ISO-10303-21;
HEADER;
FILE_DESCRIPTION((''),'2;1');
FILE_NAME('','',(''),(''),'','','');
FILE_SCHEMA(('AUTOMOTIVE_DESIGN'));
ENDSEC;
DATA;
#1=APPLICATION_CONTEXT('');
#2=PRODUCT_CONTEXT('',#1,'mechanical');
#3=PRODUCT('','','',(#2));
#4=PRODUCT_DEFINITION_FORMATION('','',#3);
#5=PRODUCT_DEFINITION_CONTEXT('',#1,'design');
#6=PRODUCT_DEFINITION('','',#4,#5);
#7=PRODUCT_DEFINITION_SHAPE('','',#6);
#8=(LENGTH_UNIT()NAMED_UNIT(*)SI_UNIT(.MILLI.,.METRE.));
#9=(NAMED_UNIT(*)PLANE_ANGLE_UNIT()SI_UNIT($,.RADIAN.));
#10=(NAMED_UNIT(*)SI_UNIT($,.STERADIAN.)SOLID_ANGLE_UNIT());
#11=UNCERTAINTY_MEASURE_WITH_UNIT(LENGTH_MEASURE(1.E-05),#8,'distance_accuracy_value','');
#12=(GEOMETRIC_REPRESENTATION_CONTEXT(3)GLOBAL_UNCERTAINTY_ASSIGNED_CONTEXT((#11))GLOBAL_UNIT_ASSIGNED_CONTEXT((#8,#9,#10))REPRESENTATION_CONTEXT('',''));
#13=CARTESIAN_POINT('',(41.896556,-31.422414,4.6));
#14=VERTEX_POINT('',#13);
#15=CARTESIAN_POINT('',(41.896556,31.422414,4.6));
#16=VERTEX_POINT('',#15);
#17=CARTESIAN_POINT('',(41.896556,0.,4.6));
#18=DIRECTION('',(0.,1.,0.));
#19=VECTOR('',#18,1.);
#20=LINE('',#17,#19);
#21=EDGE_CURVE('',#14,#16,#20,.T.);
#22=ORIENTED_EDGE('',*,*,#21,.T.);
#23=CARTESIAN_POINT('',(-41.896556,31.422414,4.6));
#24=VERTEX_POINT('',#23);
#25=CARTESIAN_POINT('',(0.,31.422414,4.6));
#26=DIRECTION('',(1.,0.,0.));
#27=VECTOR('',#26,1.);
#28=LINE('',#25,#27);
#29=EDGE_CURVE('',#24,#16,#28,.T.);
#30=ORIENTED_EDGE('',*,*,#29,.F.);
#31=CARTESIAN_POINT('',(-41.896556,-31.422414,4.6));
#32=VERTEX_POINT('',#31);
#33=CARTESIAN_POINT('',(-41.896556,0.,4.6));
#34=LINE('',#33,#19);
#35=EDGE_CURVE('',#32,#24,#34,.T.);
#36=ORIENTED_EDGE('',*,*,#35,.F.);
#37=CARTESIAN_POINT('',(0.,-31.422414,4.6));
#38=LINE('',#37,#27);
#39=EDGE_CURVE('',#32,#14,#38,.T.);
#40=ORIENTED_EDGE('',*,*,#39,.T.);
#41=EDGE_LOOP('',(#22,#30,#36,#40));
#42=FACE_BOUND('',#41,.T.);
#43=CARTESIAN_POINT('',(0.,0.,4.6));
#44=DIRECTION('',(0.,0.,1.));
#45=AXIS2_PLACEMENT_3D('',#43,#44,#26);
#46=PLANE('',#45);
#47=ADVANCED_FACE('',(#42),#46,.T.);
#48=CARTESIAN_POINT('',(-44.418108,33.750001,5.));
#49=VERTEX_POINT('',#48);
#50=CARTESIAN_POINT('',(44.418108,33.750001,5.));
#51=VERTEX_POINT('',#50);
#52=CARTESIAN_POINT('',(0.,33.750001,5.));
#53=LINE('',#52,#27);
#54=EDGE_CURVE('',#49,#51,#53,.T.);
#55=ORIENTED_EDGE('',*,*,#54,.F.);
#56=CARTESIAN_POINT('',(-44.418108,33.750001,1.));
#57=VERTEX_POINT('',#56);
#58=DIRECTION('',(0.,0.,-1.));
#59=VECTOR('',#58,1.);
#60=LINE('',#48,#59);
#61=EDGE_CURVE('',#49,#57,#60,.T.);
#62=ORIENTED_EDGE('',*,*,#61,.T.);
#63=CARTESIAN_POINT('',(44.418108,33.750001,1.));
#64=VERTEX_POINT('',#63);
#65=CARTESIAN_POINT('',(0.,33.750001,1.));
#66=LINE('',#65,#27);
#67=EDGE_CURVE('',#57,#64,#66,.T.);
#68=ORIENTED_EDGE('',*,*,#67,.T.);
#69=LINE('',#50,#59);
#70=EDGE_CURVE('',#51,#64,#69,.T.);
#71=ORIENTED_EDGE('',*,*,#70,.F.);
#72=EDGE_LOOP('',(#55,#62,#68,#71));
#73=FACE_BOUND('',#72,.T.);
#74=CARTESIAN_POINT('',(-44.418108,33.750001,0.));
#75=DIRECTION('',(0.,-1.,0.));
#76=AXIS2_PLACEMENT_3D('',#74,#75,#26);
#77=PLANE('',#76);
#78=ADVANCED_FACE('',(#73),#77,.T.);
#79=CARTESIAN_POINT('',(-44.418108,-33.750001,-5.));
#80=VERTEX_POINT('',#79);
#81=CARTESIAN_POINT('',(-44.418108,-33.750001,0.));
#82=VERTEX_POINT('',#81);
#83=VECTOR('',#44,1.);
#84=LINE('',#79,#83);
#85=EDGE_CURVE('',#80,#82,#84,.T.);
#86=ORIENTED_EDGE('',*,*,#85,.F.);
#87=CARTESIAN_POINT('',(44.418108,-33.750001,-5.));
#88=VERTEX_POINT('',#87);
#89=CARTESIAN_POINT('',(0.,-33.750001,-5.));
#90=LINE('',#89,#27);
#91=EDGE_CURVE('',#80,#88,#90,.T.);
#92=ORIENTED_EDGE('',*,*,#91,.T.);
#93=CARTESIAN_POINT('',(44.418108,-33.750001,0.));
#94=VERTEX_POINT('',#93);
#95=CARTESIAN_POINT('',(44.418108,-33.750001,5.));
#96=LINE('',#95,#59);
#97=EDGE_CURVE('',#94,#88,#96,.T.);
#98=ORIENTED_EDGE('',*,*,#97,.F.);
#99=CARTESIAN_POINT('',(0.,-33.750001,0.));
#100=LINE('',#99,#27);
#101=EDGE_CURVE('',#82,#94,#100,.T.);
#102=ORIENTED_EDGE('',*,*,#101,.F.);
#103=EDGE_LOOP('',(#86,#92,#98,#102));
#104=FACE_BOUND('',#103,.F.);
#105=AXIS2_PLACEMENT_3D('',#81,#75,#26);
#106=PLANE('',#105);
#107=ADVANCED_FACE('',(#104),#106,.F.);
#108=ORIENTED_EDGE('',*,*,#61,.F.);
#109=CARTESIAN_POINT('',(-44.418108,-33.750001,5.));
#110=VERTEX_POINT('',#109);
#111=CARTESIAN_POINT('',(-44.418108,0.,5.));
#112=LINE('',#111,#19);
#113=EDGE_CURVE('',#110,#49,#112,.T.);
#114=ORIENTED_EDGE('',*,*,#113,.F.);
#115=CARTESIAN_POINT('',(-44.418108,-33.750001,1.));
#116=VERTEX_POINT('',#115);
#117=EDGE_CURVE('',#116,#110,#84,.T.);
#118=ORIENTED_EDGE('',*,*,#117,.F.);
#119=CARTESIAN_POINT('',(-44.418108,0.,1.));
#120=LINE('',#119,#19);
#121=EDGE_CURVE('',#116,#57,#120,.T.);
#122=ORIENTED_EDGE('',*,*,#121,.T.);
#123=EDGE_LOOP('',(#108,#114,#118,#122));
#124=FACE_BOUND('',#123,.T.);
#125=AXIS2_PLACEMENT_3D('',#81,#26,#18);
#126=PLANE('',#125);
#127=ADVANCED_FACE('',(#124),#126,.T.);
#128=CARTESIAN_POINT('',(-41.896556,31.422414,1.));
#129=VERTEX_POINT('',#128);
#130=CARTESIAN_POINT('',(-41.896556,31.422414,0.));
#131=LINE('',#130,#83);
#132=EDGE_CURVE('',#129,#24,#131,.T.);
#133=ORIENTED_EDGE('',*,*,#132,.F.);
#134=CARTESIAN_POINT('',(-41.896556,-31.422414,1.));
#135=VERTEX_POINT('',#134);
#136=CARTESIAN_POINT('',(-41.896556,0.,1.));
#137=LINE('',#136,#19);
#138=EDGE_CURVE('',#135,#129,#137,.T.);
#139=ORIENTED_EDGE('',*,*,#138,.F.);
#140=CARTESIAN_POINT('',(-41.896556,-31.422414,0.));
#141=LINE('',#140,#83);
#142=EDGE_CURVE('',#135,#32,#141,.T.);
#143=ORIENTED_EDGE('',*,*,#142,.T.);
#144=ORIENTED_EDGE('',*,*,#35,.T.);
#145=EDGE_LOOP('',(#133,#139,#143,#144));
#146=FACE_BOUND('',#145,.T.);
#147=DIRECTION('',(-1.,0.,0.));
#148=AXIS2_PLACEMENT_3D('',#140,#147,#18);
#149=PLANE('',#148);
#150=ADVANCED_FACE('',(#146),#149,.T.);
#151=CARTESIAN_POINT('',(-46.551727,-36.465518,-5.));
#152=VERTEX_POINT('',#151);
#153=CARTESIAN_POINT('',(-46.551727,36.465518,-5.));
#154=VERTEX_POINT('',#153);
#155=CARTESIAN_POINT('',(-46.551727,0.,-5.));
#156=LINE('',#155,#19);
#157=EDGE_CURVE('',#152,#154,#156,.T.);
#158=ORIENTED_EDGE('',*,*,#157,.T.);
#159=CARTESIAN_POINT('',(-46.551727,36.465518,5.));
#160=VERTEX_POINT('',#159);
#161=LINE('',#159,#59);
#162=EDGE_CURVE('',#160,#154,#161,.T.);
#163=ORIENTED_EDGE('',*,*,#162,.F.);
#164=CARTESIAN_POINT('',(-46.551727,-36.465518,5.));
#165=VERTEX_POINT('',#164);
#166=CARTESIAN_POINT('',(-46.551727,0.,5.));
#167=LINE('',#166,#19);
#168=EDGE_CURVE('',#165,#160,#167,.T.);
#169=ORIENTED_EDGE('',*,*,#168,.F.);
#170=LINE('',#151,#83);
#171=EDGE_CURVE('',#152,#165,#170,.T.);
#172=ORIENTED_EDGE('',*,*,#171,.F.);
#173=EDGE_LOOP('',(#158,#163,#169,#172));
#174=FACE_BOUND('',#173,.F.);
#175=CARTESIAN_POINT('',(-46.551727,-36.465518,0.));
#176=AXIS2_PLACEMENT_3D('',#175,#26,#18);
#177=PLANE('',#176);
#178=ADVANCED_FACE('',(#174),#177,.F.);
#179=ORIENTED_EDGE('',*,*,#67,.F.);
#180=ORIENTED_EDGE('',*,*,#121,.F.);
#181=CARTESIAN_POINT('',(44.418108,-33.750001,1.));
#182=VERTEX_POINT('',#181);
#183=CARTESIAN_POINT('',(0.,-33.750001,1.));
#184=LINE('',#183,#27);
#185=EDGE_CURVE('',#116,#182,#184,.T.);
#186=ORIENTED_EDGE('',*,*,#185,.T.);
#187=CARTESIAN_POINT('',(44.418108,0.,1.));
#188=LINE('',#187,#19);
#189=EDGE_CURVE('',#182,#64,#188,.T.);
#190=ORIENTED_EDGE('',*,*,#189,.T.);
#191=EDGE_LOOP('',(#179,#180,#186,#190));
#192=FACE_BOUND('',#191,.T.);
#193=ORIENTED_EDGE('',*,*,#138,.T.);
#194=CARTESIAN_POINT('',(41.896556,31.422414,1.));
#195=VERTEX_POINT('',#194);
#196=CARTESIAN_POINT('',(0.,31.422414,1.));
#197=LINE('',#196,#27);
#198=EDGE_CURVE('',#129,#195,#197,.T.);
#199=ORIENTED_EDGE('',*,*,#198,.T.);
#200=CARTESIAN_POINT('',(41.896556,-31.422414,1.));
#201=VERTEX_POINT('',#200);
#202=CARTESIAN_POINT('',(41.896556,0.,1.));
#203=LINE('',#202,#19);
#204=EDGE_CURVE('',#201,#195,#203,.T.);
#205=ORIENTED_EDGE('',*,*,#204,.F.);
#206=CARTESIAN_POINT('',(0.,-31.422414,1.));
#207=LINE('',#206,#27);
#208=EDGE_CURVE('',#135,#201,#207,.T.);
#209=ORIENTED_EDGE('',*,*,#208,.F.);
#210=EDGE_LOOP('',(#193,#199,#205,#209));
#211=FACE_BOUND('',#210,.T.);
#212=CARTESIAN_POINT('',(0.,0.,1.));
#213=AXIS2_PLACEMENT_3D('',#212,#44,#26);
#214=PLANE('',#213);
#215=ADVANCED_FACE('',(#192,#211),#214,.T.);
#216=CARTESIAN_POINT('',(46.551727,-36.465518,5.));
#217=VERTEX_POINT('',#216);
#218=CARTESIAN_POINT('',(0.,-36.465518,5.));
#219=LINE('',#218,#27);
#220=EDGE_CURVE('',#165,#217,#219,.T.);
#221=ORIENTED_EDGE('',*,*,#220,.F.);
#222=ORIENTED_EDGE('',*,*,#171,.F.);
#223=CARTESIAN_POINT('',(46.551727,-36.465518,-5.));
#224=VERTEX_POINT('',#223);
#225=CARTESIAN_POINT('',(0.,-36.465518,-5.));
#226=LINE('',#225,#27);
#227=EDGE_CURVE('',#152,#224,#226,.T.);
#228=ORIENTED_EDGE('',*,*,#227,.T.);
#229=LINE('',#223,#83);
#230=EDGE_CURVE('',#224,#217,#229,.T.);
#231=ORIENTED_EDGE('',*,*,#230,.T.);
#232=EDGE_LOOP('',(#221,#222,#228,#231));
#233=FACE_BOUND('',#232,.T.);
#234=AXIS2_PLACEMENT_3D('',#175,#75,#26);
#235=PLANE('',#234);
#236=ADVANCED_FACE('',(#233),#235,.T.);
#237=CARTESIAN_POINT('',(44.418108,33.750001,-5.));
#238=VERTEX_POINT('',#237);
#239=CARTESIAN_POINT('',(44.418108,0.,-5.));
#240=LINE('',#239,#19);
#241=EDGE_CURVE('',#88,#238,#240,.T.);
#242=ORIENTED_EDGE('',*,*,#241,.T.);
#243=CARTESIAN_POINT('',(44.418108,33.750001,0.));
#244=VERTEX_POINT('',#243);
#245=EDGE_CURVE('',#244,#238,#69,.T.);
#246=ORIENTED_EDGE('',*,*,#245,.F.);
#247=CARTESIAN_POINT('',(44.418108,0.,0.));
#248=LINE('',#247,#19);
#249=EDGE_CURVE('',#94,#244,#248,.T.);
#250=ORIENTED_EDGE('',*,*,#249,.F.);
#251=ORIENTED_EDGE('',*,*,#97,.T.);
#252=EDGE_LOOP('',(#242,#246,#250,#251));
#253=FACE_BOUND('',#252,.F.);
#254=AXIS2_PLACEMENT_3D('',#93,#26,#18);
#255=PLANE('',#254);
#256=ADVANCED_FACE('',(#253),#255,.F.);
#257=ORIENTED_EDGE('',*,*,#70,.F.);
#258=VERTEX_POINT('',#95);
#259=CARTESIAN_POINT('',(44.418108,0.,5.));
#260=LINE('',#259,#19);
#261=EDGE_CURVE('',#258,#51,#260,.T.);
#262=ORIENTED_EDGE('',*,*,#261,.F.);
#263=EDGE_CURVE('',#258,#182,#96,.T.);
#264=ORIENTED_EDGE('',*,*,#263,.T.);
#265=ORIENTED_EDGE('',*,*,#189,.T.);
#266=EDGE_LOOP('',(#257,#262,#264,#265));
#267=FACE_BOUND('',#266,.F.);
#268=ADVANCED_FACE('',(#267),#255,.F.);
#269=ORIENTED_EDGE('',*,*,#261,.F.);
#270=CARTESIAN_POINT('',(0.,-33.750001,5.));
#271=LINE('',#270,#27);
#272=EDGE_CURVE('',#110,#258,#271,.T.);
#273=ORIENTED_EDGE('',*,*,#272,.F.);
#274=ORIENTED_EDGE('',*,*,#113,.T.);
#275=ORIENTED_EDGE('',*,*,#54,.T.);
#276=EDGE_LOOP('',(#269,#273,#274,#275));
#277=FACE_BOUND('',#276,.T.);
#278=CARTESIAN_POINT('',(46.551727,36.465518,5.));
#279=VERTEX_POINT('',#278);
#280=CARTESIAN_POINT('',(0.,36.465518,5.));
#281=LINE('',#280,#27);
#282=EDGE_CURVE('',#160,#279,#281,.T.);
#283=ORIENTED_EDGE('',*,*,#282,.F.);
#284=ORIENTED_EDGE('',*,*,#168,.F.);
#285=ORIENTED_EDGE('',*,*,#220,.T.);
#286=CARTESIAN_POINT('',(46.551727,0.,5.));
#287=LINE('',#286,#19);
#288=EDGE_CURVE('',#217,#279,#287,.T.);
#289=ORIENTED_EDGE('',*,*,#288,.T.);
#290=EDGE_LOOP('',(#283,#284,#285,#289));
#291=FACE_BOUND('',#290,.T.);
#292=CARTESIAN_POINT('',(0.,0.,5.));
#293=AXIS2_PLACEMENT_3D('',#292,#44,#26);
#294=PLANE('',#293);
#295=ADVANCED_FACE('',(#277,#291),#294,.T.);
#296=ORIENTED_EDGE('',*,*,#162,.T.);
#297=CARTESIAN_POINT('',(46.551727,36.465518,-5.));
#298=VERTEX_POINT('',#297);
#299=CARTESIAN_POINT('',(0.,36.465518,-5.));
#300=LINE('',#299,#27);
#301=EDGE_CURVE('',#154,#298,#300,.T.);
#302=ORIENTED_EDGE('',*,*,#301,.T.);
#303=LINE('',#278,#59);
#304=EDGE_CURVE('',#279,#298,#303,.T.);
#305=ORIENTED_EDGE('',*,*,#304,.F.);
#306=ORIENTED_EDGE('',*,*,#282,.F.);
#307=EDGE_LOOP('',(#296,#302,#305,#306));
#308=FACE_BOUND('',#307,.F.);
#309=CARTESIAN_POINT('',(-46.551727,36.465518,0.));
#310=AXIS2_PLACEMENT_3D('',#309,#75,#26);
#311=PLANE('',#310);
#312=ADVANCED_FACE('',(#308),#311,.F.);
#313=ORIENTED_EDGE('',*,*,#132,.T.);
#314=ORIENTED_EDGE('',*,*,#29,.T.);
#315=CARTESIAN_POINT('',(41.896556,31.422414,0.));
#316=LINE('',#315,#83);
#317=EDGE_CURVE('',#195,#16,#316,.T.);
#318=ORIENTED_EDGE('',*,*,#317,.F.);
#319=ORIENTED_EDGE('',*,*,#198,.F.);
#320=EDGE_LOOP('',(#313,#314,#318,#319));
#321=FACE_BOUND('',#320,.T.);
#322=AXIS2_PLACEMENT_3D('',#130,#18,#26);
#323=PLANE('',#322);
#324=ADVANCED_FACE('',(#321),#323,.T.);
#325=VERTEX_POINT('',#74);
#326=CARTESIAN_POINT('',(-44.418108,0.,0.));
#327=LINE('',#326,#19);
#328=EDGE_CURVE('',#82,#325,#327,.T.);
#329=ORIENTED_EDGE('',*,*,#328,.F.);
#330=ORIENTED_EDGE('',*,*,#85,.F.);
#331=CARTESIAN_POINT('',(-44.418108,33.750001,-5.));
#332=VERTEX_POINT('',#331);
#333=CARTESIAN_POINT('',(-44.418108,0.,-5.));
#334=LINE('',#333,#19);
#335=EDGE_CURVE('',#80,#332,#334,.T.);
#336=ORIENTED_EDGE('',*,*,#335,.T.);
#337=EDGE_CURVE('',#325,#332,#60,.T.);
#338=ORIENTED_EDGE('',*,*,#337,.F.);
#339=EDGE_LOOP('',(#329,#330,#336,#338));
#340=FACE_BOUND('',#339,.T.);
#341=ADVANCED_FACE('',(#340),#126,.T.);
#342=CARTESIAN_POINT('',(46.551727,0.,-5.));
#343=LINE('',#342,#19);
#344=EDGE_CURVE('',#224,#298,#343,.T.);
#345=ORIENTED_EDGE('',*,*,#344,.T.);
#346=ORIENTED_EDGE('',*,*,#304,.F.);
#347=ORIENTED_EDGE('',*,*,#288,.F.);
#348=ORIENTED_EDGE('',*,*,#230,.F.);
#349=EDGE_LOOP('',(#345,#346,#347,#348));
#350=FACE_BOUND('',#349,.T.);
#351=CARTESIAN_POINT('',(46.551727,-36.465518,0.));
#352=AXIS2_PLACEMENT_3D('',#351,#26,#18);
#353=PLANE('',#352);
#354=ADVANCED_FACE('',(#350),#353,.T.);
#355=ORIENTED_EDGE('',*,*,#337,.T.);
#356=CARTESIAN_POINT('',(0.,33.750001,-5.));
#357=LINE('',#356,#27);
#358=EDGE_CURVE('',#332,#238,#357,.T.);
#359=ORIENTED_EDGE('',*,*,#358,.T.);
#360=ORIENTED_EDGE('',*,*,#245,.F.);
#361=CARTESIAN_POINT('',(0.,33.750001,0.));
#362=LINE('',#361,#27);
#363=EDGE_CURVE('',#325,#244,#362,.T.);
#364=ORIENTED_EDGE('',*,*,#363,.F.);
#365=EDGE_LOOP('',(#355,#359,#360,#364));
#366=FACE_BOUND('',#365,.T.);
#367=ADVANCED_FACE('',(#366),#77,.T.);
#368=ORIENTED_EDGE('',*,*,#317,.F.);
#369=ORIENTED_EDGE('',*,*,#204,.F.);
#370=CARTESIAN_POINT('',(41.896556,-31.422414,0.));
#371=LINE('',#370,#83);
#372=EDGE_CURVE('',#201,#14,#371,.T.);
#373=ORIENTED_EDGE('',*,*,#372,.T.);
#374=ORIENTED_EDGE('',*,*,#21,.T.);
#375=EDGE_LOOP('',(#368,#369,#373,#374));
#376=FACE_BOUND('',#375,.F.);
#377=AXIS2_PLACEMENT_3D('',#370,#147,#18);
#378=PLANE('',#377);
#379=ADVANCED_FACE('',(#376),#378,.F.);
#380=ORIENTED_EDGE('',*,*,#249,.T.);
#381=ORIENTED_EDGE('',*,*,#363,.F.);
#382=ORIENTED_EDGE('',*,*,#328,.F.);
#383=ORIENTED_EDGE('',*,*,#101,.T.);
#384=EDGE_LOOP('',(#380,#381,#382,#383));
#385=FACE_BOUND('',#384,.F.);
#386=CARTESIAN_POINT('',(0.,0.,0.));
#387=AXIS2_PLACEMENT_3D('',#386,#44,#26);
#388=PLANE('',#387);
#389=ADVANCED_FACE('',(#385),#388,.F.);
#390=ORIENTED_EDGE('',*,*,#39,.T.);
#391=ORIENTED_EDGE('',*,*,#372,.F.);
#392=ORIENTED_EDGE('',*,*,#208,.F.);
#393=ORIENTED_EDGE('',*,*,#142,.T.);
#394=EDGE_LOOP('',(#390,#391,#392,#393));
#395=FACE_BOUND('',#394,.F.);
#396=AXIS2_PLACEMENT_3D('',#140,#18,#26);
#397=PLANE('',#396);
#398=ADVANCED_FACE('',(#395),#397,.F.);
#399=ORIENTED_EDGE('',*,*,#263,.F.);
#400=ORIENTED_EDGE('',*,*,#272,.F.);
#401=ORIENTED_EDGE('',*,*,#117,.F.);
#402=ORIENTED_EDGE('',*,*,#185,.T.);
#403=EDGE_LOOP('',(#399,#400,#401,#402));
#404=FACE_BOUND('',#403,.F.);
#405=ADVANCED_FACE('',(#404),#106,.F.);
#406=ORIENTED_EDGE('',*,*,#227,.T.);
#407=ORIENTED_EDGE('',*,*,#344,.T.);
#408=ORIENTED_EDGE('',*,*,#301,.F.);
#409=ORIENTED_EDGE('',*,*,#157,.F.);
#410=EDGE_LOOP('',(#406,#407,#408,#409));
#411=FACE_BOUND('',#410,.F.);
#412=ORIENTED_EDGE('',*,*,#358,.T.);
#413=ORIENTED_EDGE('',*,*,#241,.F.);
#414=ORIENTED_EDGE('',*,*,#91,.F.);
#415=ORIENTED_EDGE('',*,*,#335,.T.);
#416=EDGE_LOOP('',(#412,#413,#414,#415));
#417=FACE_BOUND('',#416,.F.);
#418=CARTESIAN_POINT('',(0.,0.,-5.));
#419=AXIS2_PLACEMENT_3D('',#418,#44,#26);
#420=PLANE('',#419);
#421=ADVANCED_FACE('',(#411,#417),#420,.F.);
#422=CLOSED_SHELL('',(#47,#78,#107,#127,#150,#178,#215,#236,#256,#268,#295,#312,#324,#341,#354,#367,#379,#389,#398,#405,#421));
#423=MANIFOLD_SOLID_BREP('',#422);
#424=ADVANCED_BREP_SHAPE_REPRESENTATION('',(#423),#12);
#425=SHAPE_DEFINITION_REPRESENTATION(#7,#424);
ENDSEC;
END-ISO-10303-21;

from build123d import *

# Parameters (mm, degrees)
F0_W     = 93.103454
F0_H     = 72.931036
F0_W_2   = 88.836216
F0_H_2   = 67.500002
F1_DEPTH = 5
F0_W_3   = 83.793112
F0_H_3   = 62.844828
F2_DEPTH = 1
F3_DEPTH = 4.6


with BuildPart() as f1:
    # F0 (on Top) → F1 (new body, symmetric)
    with BuildSketch(Plane.XY):
        Rectangle(F0_W, F0_H)
        Rectangle(F0_W_2, F0_H_2, mode=Mode.SUBTRACT)
    extrude(amount=F1_DEPTH, both=True)

    # F0 (on Top) → F2 (join)
    with BuildSketch(Plane.XY):
        Rectangle(F0_W_2, F0_H_2)
        Rectangle(F0_W_3, F0_H_3, mode=Mode.SUBTRACT)
    extrude(amount=F2_DEPTH)

    # F0 (on Top) → F3 (join)
    with BuildSketch(Plane.XY):
        Rectangle(F0_W_3, F0_H_3)
    extrude(amount=F3_DEPTH)


solid = f1.part
